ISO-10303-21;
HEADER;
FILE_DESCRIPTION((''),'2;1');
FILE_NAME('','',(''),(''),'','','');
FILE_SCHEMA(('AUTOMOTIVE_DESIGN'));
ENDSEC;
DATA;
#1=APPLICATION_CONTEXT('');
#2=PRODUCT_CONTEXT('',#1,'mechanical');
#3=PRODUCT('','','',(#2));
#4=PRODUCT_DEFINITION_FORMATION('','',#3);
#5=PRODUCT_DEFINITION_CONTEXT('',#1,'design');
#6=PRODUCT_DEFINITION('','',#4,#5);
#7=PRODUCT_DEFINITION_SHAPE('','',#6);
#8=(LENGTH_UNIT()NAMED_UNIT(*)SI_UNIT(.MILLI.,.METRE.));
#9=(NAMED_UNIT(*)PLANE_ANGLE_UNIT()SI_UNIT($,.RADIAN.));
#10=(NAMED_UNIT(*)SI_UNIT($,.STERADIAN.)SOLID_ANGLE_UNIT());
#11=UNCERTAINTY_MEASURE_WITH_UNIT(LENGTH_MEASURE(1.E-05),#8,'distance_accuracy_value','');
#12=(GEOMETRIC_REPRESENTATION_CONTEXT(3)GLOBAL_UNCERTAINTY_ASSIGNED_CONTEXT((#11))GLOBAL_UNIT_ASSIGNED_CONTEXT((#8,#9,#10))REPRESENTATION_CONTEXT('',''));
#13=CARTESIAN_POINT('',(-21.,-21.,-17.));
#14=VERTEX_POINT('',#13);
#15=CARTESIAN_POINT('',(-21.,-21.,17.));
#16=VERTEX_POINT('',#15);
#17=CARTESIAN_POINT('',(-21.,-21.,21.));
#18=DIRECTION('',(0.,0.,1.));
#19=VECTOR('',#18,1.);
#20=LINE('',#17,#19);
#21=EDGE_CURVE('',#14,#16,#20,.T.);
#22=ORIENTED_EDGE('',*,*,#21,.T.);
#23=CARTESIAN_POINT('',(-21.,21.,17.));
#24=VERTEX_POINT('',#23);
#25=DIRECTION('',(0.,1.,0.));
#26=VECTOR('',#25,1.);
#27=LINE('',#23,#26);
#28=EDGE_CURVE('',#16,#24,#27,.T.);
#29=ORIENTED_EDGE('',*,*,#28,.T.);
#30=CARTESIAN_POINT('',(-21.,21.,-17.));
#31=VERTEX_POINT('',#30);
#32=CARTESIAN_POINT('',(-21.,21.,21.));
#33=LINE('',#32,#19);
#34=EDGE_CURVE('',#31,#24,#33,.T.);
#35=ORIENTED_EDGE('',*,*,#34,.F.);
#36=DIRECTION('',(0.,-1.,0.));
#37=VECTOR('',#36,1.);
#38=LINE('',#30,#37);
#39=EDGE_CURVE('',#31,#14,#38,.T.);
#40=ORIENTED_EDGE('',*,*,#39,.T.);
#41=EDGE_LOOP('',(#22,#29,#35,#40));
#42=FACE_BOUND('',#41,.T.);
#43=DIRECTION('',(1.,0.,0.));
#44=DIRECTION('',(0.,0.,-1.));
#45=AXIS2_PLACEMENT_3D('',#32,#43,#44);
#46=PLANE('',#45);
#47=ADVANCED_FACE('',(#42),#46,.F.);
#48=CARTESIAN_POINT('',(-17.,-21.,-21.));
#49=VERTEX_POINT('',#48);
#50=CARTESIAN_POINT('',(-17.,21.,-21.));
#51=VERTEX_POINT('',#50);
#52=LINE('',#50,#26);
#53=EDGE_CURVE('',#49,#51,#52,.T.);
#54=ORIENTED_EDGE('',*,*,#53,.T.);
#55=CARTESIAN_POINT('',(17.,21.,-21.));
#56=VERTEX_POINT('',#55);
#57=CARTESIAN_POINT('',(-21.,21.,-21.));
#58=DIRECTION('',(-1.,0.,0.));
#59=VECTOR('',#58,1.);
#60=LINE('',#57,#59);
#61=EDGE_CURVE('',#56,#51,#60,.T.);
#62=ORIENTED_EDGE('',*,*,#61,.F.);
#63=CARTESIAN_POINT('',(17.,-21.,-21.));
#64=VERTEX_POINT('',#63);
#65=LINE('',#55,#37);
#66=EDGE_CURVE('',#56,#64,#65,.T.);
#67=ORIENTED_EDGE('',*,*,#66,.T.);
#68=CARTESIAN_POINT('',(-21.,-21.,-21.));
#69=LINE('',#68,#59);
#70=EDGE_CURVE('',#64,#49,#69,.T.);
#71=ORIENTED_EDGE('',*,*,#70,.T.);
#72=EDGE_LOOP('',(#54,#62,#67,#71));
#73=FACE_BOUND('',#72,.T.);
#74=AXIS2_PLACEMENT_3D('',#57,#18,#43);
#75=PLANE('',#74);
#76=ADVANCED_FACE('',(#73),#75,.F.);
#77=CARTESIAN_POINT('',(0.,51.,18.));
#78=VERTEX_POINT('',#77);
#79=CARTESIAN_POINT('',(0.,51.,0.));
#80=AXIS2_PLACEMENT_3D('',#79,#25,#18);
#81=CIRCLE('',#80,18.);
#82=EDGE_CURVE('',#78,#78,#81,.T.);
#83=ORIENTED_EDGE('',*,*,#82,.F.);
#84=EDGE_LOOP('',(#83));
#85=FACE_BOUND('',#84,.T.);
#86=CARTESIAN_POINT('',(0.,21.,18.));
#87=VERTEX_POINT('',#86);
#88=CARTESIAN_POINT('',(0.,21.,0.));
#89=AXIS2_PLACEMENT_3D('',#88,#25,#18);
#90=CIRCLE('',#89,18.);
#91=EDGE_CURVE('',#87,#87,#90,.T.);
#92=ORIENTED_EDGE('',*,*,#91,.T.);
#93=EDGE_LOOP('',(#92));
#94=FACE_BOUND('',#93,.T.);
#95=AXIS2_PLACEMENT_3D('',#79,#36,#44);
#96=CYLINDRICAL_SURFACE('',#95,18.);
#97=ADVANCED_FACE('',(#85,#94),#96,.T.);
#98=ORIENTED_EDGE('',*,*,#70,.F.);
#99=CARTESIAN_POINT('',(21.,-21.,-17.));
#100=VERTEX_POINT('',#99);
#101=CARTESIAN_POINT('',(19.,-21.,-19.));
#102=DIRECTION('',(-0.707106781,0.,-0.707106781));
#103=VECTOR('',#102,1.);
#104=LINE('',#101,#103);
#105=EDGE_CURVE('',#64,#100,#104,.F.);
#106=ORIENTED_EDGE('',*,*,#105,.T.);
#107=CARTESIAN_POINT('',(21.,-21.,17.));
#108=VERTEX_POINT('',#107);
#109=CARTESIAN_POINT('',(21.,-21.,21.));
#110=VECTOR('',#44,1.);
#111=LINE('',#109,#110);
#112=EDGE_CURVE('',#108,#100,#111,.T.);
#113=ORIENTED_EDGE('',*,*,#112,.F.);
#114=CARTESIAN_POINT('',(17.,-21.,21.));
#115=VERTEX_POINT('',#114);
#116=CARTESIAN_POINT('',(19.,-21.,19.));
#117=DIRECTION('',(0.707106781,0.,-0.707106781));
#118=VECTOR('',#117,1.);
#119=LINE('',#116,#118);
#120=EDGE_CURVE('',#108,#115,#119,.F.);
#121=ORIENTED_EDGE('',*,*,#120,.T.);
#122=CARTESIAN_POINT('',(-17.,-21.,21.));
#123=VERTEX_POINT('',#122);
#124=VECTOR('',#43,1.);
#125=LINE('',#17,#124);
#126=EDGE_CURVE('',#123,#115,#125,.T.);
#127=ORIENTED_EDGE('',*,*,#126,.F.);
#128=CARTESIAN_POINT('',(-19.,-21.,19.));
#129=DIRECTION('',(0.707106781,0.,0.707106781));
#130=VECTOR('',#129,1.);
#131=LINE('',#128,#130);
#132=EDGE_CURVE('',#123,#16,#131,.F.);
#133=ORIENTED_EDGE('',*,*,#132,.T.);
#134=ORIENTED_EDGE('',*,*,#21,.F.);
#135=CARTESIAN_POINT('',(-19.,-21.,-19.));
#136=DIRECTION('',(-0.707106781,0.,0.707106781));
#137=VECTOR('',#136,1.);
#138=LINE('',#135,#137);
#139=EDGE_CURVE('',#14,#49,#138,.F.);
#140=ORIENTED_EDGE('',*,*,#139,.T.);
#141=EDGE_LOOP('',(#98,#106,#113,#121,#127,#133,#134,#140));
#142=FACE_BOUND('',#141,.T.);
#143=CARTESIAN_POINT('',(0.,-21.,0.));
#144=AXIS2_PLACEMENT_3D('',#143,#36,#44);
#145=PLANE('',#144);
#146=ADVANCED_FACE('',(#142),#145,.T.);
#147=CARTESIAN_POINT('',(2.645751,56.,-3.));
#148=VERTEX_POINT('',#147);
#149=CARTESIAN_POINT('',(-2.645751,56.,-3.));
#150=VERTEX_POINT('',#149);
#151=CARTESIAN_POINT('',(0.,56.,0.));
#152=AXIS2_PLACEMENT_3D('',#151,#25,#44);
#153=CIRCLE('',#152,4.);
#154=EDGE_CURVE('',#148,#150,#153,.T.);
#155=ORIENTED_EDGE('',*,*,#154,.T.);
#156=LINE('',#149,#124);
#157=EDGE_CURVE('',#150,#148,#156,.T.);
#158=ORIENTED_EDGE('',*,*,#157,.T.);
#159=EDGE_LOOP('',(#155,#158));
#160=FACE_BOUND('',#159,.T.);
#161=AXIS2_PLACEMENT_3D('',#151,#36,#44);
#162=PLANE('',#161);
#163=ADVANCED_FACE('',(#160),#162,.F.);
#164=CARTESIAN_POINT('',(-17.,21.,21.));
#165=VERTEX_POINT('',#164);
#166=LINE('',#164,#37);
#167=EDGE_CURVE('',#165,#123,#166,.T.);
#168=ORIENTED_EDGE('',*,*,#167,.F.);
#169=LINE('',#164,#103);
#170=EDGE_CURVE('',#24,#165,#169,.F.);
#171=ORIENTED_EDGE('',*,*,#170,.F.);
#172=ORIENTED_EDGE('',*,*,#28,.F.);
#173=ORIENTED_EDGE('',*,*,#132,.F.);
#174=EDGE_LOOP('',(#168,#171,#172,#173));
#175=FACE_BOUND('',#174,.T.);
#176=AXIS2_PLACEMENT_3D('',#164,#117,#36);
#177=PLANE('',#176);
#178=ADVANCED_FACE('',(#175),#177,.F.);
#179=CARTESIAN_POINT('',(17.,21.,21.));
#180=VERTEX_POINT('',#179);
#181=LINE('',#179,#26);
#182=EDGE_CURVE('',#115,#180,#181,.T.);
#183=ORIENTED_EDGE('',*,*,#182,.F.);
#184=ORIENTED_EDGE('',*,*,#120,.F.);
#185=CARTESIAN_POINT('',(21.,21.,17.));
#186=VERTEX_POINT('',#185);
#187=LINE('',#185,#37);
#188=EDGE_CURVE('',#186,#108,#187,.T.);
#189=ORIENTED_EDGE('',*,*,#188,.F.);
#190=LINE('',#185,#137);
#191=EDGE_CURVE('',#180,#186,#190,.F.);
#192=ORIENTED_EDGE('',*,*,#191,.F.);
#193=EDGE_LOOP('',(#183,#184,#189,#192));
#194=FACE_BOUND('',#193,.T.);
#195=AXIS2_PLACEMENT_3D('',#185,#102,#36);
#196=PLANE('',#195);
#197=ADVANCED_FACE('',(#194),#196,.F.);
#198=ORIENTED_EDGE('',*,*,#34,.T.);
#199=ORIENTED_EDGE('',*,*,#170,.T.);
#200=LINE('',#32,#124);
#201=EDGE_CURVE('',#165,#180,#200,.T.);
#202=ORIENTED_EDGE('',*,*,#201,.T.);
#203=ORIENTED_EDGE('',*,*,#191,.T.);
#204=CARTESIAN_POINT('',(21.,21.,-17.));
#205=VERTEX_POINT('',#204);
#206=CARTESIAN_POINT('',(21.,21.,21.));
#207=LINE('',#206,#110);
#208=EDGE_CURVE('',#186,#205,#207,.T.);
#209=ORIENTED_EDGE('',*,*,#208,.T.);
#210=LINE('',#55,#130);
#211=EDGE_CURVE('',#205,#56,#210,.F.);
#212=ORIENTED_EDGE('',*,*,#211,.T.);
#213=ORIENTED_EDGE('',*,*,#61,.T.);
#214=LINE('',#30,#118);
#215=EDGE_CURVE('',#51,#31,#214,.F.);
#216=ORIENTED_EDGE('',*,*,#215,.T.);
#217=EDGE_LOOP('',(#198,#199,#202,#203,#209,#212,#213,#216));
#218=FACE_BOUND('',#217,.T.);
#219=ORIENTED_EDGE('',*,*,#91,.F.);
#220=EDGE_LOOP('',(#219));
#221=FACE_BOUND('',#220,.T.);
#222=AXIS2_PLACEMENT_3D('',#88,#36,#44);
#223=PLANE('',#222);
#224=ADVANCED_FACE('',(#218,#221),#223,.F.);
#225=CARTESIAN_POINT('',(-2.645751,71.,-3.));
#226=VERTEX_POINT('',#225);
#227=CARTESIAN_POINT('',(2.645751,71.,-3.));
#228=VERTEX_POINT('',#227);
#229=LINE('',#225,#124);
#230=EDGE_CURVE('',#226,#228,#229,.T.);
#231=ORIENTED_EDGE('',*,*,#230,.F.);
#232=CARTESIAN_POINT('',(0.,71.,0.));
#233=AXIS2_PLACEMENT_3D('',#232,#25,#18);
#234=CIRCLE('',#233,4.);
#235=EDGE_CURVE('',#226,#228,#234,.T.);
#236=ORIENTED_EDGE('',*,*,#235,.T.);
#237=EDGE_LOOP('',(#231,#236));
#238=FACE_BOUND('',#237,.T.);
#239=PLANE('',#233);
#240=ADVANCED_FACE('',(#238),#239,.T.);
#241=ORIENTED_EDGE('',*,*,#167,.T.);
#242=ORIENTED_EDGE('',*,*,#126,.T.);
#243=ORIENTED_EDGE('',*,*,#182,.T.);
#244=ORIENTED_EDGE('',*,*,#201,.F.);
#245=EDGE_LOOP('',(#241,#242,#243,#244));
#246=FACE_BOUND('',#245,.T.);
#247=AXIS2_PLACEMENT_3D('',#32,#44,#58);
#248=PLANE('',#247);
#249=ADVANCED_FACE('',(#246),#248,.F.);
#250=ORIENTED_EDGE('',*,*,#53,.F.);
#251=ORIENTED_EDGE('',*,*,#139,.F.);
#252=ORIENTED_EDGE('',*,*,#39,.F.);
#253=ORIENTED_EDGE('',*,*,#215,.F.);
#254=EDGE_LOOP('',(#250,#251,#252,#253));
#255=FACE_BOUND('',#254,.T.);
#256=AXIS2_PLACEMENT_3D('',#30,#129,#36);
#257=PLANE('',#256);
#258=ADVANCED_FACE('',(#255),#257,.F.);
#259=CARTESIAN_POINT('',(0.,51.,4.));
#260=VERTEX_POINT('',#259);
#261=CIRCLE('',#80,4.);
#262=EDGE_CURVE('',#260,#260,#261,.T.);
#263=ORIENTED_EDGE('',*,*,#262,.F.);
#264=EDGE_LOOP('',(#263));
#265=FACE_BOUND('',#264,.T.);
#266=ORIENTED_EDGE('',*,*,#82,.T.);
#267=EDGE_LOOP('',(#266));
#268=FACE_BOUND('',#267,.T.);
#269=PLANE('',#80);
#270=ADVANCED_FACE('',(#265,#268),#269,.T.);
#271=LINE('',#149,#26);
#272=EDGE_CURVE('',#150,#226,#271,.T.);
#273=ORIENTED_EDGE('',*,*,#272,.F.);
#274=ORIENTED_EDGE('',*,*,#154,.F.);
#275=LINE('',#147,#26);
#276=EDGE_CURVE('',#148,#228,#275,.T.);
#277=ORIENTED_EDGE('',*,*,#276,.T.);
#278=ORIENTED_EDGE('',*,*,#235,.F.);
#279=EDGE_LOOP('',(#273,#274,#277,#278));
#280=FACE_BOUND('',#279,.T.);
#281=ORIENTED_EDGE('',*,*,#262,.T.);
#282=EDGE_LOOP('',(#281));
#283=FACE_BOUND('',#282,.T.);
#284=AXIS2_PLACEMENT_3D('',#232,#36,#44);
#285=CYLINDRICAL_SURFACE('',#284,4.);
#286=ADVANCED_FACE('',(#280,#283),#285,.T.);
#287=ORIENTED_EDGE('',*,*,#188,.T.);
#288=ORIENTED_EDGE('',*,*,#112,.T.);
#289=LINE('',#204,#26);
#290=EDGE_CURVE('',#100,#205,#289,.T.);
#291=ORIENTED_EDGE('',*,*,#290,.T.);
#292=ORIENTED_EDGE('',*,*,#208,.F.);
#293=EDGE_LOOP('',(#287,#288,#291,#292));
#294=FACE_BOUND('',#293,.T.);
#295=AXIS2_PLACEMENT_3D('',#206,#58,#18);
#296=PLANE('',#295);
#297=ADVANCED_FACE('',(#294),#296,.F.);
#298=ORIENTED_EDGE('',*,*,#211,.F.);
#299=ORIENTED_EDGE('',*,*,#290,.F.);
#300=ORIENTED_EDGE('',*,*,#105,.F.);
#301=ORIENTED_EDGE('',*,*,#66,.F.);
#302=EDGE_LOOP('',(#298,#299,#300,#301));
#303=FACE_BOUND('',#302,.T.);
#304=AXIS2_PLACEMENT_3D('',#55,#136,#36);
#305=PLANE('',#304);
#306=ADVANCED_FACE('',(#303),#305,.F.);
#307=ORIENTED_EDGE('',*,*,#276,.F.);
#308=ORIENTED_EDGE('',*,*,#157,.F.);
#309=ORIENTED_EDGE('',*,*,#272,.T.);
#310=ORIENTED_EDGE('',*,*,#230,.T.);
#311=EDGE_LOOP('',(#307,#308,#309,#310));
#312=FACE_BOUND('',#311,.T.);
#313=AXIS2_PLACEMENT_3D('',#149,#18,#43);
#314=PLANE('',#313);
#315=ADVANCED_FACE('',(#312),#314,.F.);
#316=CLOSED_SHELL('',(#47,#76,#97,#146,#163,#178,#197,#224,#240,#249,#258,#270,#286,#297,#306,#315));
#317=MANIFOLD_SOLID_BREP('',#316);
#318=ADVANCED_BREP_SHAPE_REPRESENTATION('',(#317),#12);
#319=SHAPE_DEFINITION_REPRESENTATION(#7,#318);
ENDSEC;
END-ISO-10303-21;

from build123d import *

# Parameters (mm, degrees)
SKETCH_1_W          = 42
SKETCH_1_H          = 42
EXTRUDE_1_DEPTH     = 21
CHAMFER_1_SIZE      = 4
SKETCH_2_R          = 18
EXTRUDE_2_DEPTH     = 30
SKETCH_3_R          = 4
EXTRUDE_3_DEPTH     = 20
CUT_EXTRUDE_START   = -15
CUT_EXTRUDE_1_DEPTH = 15


with BuildPart() as part:
    # 스케치1 → 보스-돌출1 (new, symmetric)
    with BuildSketch(Plane(origin=(0, 0, 0), x_dir=(1, 0, 0), z_dir=(0, 1, 0))):
        Rectangle(SKETCH_1_W, SKETCH_1_H)
    extrude(amount=EXTRUDE_1_DEPTH, both=True)

    # 모따기1
    chamfer_1_edges = [part.edges().sort_by_distance(p)[0] for p in [
        (21, 0, 21),
        (-21, 0, 21),
        (-21, 0, -21),
        (21, 0, -21),
    ]]
    chamfer(chamfer_1_edges, length=CHAMFER_1_SIZE)

    # 스케치2 → 보스-돌출2 (add)
    with BuildSketch(Plane(origin=(0, 21, 0), x_dir=(1, 0, 0), z_dir=(0, 1, 0))):
        with Locations(Location((0, 0, 0), (0, 0, 270))):
            Circle(SKETCH_2_R)
    extrude(amount=EXTRUDE_2_DEPTH)

    # 스케치3 → 보스-돌출3 (add)
    with BuildSketch(Plane(origin=(0, 51, 0), x_dir=(1, 0, 0), z_dir=(0, 1, 0))):
        with Locations(Location((0, 0, 0), (0, 0, 270))):
            Circle(SKETCH_3_R)
    extrude(amount=EXTRUDE_3_DEPTH)

    # 스케치4 → 컷-돌출1 (cut)
    with BuildSketch(Plane(origin=(0, 71, 0), x_dir=(1, 0, 0), z_dir=(0, 1, 0)).offset(CUT_EXTRUDE_START)):
        with BuildLine():
            Line((-2.645751311, 3), (2.645751311, 3))
            ThreePointArc((2.645751311, 3), (0, 4), (-2.645751311, 3))
        make_face()
    extrude(amount=CUT_EXTRUDE_1_DEPTH, mode=Mode.SUBTRACT)


solid = part.part
